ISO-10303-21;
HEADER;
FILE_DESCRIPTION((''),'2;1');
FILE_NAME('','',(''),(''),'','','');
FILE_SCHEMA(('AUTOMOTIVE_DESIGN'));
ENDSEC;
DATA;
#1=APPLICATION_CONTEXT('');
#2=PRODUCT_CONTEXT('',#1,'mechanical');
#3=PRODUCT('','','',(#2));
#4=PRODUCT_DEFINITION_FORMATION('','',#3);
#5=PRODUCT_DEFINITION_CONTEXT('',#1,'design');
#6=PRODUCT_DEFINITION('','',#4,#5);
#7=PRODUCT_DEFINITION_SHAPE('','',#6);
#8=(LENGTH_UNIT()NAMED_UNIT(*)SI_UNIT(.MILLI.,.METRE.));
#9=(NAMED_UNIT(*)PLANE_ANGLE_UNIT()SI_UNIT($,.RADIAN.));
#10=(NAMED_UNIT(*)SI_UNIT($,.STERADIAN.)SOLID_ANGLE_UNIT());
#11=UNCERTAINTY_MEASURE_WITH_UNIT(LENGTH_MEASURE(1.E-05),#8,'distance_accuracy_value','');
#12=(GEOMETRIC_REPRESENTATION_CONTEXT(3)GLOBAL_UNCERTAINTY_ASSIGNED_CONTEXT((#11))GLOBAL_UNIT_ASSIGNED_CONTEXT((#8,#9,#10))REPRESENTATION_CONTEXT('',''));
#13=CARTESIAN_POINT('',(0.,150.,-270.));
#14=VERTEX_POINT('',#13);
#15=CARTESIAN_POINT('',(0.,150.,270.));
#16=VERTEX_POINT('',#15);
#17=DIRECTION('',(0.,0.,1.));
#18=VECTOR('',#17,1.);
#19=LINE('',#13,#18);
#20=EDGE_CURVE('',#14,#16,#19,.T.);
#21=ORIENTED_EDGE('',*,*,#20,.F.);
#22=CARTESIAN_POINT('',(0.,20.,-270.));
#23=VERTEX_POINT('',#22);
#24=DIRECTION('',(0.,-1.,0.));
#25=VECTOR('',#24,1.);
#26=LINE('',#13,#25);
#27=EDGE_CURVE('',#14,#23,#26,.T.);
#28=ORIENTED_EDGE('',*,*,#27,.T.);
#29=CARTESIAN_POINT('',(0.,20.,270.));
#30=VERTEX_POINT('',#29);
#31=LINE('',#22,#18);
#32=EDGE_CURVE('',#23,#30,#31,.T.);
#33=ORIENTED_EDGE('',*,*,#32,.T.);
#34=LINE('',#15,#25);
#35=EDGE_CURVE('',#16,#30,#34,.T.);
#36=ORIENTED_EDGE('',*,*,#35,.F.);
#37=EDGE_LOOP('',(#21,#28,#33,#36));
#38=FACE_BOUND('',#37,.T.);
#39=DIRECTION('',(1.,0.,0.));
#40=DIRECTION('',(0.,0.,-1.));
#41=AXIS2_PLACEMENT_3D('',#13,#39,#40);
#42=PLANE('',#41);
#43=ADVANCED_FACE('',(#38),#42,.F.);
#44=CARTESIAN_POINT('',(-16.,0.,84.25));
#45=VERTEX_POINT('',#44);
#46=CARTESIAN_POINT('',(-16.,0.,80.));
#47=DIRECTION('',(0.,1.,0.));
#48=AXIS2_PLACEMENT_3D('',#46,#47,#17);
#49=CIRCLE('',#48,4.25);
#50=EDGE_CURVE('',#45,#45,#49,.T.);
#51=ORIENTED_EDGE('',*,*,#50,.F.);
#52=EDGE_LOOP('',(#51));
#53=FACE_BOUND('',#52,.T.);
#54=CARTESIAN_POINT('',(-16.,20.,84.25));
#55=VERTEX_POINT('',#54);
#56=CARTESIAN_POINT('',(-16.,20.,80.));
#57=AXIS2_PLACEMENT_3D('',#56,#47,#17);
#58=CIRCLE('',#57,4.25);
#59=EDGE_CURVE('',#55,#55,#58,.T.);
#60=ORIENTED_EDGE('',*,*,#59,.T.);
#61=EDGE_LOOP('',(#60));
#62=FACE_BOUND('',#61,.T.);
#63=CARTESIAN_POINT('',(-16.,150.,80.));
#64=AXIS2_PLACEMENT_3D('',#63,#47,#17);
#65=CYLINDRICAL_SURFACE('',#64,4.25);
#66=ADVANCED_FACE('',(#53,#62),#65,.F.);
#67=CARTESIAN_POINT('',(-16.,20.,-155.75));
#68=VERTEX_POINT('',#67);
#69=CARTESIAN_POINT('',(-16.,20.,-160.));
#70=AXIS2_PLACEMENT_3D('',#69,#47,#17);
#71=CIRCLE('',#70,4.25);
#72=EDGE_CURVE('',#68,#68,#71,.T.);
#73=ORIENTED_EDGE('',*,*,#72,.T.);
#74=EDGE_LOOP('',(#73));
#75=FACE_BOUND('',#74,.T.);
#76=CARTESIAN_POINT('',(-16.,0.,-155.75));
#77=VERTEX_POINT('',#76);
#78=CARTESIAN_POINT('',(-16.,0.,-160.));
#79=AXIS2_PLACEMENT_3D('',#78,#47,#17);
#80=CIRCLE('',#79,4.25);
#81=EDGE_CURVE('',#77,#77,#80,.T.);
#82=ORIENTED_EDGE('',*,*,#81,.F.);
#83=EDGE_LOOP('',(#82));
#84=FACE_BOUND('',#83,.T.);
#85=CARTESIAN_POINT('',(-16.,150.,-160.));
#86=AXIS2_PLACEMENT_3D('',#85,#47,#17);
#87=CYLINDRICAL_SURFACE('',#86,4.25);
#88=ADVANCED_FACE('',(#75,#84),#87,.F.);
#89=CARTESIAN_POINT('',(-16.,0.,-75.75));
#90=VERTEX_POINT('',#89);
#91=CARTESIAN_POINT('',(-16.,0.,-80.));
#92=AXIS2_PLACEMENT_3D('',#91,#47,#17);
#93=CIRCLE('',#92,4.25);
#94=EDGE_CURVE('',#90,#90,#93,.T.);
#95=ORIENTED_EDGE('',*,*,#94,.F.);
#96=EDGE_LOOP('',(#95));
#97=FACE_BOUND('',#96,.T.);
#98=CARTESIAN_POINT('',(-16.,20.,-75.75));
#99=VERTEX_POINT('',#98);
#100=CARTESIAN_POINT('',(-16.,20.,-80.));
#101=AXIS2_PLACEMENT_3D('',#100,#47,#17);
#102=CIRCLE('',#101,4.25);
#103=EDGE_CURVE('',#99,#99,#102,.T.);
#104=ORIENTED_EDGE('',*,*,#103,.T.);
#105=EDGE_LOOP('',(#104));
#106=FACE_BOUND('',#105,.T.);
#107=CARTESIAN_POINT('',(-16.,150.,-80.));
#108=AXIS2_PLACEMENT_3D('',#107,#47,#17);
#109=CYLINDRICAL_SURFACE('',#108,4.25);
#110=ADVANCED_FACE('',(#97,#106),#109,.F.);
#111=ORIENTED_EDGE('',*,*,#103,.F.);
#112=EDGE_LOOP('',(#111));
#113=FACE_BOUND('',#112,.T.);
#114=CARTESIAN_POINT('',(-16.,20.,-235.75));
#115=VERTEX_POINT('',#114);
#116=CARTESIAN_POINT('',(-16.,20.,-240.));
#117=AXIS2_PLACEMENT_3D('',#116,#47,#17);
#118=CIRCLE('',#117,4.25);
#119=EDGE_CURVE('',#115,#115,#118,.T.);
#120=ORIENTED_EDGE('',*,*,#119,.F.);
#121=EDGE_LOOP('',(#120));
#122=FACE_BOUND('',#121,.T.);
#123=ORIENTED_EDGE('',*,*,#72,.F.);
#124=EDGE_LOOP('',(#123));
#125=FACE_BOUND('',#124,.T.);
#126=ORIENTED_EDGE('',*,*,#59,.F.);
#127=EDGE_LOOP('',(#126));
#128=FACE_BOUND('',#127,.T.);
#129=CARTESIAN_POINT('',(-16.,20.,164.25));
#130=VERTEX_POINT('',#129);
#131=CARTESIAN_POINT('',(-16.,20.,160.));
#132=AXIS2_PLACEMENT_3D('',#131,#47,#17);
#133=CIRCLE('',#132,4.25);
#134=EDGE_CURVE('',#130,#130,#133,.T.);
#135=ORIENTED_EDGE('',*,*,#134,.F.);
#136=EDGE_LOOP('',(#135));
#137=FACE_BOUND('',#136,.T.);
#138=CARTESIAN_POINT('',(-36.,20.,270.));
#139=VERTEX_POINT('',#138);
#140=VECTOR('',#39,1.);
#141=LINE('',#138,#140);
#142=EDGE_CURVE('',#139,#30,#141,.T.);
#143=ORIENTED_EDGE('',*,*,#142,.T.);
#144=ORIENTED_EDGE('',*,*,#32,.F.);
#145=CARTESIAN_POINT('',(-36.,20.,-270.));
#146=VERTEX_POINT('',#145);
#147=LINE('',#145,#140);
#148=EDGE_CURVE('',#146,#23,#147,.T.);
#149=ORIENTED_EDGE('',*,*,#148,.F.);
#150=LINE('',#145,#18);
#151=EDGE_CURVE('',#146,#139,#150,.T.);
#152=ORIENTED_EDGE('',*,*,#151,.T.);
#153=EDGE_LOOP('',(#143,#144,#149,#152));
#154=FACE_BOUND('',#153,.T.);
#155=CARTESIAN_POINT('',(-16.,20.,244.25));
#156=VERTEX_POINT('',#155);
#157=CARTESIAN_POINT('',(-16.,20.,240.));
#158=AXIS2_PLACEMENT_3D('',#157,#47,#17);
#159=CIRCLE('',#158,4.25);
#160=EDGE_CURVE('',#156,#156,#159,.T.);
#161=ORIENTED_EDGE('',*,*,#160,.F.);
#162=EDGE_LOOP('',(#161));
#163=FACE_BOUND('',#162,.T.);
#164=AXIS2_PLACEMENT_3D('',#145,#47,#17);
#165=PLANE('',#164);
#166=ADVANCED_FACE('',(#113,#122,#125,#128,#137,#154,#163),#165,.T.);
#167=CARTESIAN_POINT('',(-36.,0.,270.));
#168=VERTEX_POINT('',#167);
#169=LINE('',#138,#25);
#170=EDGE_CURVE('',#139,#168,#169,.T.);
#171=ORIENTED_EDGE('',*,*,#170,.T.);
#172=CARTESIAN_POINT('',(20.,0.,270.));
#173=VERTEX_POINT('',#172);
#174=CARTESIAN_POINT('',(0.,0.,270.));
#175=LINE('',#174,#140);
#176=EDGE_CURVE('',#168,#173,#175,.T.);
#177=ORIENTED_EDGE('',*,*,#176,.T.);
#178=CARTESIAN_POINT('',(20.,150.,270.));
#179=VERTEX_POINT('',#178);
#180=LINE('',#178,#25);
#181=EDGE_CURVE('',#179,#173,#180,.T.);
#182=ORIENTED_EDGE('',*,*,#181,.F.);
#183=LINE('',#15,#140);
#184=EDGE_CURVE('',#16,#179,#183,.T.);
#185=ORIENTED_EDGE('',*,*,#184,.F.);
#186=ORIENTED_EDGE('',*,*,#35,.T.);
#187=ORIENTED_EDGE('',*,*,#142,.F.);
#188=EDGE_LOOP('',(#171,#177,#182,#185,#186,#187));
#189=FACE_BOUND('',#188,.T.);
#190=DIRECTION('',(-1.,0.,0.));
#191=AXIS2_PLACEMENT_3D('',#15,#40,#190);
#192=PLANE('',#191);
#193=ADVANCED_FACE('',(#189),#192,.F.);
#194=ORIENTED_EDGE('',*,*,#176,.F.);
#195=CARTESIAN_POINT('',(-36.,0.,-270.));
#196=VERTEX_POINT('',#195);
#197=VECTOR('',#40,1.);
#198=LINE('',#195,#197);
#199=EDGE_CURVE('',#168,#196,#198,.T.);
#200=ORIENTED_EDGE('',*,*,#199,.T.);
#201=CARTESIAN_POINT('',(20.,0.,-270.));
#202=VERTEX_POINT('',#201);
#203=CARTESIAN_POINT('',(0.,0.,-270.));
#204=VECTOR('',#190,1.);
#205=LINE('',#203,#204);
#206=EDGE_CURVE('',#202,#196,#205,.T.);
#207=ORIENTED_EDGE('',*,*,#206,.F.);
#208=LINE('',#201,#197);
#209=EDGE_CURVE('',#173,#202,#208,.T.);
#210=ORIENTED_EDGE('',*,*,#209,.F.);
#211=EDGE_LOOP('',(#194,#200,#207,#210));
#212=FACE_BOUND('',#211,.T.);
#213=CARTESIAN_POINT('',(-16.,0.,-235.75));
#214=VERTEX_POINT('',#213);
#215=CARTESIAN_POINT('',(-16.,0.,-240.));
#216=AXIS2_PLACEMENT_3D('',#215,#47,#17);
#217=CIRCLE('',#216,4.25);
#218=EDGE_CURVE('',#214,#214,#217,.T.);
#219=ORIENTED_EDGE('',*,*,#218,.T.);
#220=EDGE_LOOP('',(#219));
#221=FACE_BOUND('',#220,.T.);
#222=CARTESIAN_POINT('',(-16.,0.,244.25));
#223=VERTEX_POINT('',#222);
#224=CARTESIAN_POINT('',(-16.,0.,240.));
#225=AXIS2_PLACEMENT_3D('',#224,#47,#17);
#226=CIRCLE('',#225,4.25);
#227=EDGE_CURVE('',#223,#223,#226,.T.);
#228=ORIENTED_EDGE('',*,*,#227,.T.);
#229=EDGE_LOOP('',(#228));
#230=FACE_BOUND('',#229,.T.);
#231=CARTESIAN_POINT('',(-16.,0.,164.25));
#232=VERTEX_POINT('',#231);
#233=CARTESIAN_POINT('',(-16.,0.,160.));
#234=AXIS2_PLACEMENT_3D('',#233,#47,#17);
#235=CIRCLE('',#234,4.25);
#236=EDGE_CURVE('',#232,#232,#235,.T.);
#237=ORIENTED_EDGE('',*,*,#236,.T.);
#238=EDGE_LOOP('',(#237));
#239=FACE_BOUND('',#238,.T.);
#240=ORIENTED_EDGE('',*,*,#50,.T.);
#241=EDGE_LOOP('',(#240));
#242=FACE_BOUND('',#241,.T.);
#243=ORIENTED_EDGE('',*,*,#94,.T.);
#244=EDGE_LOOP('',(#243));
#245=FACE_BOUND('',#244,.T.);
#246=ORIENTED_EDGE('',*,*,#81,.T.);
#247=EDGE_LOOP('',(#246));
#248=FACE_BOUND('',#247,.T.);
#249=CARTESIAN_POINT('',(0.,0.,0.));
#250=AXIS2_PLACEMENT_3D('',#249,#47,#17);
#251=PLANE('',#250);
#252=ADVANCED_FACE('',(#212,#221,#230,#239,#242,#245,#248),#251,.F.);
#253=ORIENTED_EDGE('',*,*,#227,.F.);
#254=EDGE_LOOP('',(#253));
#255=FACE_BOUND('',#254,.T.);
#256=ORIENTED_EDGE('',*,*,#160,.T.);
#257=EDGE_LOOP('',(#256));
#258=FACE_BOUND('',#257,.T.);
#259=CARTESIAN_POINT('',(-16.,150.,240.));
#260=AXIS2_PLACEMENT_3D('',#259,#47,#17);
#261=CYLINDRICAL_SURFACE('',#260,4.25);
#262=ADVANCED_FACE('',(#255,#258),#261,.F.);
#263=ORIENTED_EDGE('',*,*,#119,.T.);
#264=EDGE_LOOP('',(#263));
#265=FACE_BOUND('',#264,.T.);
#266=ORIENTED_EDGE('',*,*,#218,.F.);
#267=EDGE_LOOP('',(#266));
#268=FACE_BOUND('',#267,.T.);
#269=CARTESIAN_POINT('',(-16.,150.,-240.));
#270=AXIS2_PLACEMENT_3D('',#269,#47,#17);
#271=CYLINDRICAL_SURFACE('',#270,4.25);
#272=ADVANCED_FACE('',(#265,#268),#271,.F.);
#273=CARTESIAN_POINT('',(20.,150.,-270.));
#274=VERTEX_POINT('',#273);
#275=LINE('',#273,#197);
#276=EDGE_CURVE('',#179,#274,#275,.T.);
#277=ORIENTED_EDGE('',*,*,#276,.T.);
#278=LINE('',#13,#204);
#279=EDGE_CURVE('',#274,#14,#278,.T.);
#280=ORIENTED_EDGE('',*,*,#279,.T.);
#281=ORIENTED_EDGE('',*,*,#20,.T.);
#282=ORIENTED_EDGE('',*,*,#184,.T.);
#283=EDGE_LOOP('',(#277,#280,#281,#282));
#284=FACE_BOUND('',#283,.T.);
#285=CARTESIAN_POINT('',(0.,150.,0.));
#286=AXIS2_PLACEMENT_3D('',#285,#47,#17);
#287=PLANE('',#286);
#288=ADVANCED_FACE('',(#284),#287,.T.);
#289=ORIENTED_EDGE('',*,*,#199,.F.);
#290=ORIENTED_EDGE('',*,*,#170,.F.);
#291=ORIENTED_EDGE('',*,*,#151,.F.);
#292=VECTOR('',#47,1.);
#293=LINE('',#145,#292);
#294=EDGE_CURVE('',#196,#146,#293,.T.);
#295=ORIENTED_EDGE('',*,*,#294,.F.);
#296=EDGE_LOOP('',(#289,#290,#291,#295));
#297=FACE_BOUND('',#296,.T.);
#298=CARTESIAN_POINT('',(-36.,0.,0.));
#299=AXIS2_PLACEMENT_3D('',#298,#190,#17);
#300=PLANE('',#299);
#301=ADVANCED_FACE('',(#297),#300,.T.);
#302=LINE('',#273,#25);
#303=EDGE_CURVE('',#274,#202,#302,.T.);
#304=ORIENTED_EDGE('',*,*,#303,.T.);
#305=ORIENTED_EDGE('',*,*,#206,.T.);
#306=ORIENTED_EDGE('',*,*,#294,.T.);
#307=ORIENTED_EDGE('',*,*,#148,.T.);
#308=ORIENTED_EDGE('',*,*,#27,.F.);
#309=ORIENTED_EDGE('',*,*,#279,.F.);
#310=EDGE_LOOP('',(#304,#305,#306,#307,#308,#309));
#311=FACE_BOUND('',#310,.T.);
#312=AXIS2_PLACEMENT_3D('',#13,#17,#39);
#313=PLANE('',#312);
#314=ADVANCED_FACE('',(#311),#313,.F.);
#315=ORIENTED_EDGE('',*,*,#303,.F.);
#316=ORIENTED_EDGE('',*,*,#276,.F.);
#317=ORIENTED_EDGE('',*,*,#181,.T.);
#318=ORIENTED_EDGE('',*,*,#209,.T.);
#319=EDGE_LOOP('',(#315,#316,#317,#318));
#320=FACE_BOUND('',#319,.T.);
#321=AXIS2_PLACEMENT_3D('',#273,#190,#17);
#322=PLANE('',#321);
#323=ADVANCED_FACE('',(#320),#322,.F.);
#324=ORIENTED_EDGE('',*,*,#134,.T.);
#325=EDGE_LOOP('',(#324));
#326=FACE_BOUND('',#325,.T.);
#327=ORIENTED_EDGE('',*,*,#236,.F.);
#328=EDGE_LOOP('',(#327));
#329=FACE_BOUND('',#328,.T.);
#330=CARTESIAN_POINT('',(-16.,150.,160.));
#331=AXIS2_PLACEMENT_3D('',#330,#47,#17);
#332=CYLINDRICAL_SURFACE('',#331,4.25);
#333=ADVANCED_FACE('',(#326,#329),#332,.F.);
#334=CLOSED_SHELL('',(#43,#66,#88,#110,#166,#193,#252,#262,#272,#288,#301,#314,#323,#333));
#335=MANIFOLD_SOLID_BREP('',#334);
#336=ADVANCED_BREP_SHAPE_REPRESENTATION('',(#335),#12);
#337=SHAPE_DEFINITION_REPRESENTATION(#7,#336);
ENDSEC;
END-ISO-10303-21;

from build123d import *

# Parameters (mm, degrees)
SKETCH1_W           = 20
SKETCH1_H           = 540
BOSS_EXTRUDE1_DEPTH = 150
SKETCH2_W           = 540
SKETCH2_H           = 20
BOSS_EXTRUDE2_DEPTH = 36
M10_TAPPED_HOLE1_D  = 8.5


with BuildPart() as part:
    # Sketch1 → Boss-Extrude1 (new body)
    with BuildSketch(Plane(origin=(0, 0, 0), x_dir=(1, 0, 0), z_dir=(0, 1, 0))):
        with Locations((10, 0)):
            Rectangle(SKETCH1_W, SKETCH1_H)
    extrude(amount=BOSS_EXTRUDE1_DEPTH)

    # Sketch2 → Boss-Extrude2 (add)
    with BuildSketch(Plane(origin=(0, 0, 0), x_dir=(0, 0, -1), z_dir=(1, 0, 0))):
        with Locations((0, 10)):
            Rectangle(SKETCH2_W, SKETCH2_H)
    extrude(amount=-BOSS_EXTRUDE2_DEPTH)

    # M10 Tapped Hole1 (through all)
    with Locations(Plane(origin=(-16, 150, -240), x_dir=(0, 0, 1), z_dir=(0, 1, 0))):
        with Locations((0, 0), (80, 0), (160, 0)):
            m10_tapped_hole1 = Hole(M10_TAPPED_HOLE1_D / 2)

    # Mirror1: M10 Tapped Hole1 across plane
    add(m10_tapped_hole1.mirror(Plane.XY), mode=Mode.SUBTRACT)


solid = part.part
